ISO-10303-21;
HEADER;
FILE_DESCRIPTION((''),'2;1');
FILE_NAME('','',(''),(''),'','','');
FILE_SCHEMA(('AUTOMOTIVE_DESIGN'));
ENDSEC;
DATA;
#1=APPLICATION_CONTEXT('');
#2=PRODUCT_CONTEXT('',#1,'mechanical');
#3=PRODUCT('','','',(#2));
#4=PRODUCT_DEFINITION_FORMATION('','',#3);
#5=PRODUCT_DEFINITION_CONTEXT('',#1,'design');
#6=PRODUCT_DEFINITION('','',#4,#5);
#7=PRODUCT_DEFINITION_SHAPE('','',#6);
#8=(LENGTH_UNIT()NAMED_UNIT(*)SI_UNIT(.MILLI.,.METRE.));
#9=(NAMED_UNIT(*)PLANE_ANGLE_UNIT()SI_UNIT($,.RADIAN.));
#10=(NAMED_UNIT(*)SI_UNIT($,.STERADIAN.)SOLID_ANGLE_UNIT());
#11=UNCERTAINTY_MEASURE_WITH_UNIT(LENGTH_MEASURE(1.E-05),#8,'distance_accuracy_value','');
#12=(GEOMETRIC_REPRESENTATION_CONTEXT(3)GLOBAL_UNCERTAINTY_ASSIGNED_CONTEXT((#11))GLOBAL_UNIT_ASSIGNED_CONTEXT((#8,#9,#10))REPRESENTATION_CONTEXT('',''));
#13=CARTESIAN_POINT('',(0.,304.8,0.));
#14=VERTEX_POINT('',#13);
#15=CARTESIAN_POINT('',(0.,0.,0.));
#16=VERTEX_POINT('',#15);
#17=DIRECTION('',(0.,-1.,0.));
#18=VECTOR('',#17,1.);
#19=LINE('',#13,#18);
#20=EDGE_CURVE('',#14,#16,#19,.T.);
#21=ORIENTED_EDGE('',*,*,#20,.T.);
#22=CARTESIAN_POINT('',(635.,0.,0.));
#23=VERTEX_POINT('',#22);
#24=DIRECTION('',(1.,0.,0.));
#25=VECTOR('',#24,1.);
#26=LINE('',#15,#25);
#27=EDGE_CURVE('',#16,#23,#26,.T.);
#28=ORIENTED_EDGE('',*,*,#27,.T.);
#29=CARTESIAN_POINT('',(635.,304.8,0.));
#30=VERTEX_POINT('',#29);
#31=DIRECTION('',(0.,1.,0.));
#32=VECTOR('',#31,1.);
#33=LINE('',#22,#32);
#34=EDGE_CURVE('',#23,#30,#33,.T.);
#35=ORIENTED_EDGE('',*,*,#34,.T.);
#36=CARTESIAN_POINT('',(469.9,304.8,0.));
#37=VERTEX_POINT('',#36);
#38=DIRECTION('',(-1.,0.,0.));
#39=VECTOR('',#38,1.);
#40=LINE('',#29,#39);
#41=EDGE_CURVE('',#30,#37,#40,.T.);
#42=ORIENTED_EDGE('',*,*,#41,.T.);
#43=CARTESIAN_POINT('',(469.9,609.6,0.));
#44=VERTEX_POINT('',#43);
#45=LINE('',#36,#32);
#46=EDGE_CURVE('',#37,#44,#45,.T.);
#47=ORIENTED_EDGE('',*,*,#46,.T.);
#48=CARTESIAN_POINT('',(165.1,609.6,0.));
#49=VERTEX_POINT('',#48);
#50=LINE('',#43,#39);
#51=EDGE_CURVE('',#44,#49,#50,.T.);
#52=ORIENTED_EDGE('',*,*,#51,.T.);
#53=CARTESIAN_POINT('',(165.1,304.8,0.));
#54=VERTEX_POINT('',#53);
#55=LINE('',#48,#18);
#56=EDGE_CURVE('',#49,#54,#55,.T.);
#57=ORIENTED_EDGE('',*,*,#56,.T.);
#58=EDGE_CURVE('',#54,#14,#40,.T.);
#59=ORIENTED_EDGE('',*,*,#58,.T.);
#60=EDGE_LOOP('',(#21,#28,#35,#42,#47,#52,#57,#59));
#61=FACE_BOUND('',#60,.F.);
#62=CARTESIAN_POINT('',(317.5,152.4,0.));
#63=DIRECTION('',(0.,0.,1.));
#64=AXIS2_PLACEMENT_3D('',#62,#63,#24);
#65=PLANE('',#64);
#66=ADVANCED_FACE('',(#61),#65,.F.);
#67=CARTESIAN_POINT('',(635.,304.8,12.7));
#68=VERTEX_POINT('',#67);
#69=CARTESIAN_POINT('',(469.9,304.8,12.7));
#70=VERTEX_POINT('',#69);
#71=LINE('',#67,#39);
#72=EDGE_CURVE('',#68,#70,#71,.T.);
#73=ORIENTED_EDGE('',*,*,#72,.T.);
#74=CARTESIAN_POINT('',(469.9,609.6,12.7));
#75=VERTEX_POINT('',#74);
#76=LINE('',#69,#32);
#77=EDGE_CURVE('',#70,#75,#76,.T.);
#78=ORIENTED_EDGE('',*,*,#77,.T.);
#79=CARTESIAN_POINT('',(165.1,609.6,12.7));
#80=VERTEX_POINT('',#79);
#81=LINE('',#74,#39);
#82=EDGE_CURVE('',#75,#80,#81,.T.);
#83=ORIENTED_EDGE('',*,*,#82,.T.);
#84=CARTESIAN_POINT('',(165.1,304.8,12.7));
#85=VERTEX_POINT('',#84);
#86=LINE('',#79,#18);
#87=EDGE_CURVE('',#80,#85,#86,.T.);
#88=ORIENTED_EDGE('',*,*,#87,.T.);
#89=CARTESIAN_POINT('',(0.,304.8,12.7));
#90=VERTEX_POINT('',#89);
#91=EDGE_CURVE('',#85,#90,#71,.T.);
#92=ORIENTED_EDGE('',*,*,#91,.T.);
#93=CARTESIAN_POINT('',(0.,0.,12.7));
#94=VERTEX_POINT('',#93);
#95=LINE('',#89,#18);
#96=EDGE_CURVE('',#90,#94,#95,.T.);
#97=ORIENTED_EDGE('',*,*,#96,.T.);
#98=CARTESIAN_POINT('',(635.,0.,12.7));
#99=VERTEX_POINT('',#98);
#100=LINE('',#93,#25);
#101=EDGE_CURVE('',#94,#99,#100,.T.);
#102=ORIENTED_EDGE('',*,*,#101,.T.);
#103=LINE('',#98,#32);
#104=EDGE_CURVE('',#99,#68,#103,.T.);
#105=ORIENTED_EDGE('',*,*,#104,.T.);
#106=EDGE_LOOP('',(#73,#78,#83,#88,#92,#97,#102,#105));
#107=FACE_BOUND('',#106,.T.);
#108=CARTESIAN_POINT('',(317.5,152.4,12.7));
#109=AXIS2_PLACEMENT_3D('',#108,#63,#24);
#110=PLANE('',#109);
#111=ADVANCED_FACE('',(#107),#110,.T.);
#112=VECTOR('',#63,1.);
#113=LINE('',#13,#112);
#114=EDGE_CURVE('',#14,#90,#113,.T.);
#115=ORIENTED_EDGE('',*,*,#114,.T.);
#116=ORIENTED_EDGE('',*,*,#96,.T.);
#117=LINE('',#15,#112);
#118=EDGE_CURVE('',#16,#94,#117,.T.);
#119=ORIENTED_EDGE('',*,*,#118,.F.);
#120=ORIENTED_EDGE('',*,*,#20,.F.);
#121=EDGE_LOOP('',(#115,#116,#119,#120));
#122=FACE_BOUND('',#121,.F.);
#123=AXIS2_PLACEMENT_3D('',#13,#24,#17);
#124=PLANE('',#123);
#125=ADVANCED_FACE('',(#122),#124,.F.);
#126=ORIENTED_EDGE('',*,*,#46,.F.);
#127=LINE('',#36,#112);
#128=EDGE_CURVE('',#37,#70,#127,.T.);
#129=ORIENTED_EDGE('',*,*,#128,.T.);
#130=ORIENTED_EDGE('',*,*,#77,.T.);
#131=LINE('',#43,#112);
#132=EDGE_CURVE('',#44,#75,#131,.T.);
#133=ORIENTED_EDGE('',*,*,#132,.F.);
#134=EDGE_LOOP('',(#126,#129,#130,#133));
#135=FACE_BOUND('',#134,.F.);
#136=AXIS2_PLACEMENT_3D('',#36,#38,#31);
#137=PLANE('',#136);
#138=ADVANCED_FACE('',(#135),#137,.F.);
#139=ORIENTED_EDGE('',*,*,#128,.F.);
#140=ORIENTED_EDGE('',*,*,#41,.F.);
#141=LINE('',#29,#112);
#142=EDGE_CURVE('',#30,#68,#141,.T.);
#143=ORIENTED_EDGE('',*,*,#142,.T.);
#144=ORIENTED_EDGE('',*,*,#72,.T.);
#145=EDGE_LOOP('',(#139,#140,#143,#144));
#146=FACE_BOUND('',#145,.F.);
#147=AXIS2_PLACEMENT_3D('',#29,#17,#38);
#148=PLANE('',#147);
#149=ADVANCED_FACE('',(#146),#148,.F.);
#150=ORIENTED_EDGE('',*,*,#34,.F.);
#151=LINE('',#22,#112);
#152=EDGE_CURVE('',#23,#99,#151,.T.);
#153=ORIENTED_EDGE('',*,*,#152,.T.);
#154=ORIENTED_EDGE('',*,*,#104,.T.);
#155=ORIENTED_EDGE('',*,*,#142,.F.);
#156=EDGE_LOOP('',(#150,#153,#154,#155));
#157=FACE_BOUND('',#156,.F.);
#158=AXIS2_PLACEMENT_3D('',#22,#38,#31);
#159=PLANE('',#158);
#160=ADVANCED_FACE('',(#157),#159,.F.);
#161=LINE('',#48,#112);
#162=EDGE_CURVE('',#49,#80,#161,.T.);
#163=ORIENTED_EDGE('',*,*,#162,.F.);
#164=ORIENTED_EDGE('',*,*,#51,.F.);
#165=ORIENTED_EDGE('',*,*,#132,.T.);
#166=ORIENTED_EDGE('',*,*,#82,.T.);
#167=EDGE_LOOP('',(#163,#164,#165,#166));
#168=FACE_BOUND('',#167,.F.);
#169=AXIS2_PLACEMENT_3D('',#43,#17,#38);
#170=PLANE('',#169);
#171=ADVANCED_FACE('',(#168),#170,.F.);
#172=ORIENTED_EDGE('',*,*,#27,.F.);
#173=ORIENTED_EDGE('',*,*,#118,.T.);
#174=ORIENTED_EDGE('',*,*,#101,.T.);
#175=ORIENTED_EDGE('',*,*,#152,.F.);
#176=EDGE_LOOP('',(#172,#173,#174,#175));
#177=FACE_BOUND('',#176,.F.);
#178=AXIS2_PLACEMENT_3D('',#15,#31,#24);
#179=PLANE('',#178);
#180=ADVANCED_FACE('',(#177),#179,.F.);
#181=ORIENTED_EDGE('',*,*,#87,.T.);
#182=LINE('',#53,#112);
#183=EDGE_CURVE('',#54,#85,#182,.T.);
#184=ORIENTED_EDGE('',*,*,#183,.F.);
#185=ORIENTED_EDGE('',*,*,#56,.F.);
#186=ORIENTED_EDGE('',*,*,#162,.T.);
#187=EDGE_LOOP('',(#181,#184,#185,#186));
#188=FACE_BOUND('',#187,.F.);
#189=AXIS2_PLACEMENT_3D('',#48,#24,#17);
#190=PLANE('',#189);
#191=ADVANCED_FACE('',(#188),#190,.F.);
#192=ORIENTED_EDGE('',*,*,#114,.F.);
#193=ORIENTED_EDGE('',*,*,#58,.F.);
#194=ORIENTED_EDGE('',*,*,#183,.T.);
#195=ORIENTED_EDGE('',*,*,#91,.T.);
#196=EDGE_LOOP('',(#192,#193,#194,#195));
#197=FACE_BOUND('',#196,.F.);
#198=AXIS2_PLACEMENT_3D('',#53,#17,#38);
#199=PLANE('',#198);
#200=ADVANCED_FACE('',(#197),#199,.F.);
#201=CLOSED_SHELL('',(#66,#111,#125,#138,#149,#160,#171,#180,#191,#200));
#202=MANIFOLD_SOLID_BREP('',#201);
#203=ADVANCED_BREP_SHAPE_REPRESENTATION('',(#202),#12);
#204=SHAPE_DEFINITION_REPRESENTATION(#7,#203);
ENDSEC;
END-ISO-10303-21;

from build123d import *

# Parameters (mm, degrees)
F1_DEPTH = 12.7


with BuildPart() as f1:
    # F0 (on Top) → F1 (new body)
    with BuildSketch(Plane.XY):
        Polygon((0, 304.8), (0, 0), (635, 0), (635, 304.8), (469.9, 304.8), (317.5, 304.8), (165.1, 304.8), align=None)
        Polygon((165.1, 609.6), (165.1, 304.8), (317.5, 304.8), (469.9, 304.8), (469.9, 609.6), align=None)
    extrude(amount=F1_DEPTH)


solid = f1.part
